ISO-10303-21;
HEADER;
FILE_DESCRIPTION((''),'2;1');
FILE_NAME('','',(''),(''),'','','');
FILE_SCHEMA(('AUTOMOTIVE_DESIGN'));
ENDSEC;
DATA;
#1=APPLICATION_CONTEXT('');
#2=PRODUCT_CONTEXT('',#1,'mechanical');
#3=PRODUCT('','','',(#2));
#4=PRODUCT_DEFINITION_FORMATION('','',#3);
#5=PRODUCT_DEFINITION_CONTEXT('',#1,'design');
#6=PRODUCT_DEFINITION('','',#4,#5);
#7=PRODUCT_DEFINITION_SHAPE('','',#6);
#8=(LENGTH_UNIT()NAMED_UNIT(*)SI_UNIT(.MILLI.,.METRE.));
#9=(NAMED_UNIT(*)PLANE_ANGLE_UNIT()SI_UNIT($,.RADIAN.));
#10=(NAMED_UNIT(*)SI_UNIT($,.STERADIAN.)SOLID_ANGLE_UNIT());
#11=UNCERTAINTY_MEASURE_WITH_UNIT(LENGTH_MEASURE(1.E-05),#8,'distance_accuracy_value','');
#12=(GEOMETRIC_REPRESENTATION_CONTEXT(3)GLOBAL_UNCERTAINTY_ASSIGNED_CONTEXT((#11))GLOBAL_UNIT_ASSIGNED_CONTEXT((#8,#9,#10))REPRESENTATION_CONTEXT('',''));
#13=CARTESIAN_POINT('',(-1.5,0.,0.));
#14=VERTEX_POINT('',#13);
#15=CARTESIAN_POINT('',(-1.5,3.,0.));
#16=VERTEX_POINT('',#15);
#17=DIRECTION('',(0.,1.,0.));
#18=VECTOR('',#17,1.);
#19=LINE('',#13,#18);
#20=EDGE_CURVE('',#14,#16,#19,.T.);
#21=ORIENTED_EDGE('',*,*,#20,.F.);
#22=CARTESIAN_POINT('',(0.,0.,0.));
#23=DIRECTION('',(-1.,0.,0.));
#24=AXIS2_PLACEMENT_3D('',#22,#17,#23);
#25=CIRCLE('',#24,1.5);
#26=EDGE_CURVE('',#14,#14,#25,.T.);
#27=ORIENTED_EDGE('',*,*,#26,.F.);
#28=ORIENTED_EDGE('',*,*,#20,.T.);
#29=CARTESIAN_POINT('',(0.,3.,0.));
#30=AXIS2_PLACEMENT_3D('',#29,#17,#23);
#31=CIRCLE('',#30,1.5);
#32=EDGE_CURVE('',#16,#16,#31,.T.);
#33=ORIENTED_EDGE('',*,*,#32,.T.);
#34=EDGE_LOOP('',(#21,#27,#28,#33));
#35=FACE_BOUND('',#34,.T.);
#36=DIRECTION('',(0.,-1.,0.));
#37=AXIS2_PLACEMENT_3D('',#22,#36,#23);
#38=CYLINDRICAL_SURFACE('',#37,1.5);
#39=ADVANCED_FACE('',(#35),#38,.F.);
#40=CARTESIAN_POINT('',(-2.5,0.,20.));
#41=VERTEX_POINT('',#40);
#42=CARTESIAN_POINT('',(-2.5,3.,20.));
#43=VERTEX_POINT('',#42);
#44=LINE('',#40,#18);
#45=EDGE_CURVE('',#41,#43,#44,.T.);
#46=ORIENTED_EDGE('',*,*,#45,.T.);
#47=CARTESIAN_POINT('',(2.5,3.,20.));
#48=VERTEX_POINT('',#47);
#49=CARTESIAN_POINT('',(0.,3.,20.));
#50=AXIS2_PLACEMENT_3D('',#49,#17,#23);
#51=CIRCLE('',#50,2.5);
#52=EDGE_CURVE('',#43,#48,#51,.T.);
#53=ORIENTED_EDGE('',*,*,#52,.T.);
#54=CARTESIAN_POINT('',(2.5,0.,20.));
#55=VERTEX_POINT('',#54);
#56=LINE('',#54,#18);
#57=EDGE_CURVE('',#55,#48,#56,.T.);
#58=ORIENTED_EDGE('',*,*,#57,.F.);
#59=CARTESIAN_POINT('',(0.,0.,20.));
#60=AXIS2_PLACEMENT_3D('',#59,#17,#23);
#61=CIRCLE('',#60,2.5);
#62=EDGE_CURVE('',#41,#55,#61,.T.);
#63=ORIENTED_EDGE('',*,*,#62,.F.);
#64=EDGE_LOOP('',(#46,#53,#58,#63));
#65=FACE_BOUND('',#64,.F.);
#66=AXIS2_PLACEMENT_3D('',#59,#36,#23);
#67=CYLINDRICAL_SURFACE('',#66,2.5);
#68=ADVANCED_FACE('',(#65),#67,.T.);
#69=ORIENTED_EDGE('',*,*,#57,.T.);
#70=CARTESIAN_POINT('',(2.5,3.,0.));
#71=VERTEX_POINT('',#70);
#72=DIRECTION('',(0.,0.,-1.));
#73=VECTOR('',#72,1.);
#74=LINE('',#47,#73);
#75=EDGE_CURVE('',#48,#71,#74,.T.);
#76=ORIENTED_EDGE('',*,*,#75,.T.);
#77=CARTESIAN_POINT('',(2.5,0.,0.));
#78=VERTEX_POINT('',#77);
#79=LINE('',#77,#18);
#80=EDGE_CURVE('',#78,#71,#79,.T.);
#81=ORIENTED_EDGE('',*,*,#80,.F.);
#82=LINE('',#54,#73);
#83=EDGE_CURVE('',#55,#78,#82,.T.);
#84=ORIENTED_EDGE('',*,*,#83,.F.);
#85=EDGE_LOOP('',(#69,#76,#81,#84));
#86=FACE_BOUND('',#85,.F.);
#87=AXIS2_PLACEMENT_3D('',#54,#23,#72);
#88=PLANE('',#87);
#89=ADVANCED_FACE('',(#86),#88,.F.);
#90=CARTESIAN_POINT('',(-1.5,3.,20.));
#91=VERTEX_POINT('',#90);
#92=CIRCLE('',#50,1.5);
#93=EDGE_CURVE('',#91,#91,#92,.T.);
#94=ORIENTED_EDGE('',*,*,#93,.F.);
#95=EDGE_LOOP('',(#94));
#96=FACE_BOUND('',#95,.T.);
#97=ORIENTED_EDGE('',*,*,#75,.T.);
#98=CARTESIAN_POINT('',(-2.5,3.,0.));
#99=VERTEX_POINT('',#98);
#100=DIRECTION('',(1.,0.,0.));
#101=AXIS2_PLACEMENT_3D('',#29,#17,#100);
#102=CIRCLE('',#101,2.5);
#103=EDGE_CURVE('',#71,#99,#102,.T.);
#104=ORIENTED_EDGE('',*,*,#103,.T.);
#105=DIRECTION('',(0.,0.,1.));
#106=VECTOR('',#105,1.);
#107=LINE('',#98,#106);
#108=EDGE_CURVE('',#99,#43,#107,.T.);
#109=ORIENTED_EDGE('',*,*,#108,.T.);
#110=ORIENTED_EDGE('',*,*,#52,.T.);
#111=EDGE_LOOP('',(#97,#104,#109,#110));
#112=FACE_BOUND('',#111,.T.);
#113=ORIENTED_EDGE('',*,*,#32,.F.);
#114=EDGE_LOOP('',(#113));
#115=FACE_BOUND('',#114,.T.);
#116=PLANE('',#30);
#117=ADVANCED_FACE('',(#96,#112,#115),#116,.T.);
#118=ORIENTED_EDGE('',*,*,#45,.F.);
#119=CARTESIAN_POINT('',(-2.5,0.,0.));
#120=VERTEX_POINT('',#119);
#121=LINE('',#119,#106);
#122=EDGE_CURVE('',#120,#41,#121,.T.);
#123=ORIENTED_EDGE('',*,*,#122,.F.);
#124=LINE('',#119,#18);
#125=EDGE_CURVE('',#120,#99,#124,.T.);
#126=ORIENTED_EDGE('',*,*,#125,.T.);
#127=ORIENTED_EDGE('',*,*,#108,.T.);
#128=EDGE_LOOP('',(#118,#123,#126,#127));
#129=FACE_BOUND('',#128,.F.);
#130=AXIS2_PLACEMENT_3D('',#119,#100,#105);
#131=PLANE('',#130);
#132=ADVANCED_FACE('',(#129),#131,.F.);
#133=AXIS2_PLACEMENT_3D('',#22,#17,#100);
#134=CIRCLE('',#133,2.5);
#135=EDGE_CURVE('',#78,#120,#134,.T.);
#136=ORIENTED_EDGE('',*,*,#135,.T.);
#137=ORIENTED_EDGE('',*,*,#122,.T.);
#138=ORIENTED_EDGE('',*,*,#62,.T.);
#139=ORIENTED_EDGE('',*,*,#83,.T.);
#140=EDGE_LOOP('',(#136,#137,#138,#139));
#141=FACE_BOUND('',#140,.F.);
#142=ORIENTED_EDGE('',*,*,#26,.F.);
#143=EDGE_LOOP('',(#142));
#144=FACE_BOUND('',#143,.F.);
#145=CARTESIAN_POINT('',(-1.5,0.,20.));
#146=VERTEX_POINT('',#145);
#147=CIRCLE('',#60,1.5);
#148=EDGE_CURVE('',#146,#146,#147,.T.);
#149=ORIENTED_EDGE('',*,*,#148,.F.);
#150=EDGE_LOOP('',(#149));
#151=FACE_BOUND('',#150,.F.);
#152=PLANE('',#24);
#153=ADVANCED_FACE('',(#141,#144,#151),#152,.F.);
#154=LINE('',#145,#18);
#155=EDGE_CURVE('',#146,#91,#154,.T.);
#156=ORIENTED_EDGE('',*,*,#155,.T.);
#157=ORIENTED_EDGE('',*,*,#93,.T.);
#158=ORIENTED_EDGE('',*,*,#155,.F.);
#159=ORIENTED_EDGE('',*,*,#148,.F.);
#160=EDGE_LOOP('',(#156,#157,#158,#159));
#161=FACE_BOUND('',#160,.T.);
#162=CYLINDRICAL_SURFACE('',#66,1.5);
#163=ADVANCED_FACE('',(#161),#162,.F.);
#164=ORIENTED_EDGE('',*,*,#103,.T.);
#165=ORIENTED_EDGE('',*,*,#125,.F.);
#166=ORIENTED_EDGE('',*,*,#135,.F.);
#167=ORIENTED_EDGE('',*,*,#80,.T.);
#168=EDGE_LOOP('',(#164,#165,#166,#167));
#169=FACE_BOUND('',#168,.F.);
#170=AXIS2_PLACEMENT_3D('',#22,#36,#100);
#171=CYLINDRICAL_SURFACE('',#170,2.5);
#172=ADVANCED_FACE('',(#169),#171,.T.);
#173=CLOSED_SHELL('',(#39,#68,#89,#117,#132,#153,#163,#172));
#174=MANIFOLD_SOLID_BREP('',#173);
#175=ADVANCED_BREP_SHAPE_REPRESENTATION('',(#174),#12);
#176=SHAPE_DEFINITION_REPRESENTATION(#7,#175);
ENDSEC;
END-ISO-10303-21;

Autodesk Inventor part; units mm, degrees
ref_plane "YZ Plane" through (0, 0, 0) normal (1, 0, 0) x (0, 1, 0)
ref_plane "XZ Plane" through (0, 0, 0) normal (0, 1, 0) x (-1, 0, 0)
ref_plane "XY Plane" through (0, 0, 0) normal (0, 0, 1) x (1, 0, 0)
sketch "草图1" plane through (0, 0, 0) normal (0, 1, 0) x (-1, 0, 0)
  line L0 (0, 0) -> (0, 20) construction
  line L1 (2.5, 0) -> (2.5, 20)
  line L2 (-2.5, 20) -> (-2.5, 0)
  arc A0 (-2.5, 0) -> (2.5, 0) centre (0, 0) ccw
  arc A1 (2.5, 20) -> (-2.5, 20) centre (0, 20) ccw
  circle A2 centre (0, 0) radius 1.5
  circle A3 centre (0, 20) radius 1.5
  point P0 (0, 10)
  dimension "d0" = 2.5
  dimension "d1" = 3
  dimension "d2" = 3
  dimension "d5" = 20
extrude "拉伸1" add sketch "草图1" along normal blind 3
properties part number "连杆"
